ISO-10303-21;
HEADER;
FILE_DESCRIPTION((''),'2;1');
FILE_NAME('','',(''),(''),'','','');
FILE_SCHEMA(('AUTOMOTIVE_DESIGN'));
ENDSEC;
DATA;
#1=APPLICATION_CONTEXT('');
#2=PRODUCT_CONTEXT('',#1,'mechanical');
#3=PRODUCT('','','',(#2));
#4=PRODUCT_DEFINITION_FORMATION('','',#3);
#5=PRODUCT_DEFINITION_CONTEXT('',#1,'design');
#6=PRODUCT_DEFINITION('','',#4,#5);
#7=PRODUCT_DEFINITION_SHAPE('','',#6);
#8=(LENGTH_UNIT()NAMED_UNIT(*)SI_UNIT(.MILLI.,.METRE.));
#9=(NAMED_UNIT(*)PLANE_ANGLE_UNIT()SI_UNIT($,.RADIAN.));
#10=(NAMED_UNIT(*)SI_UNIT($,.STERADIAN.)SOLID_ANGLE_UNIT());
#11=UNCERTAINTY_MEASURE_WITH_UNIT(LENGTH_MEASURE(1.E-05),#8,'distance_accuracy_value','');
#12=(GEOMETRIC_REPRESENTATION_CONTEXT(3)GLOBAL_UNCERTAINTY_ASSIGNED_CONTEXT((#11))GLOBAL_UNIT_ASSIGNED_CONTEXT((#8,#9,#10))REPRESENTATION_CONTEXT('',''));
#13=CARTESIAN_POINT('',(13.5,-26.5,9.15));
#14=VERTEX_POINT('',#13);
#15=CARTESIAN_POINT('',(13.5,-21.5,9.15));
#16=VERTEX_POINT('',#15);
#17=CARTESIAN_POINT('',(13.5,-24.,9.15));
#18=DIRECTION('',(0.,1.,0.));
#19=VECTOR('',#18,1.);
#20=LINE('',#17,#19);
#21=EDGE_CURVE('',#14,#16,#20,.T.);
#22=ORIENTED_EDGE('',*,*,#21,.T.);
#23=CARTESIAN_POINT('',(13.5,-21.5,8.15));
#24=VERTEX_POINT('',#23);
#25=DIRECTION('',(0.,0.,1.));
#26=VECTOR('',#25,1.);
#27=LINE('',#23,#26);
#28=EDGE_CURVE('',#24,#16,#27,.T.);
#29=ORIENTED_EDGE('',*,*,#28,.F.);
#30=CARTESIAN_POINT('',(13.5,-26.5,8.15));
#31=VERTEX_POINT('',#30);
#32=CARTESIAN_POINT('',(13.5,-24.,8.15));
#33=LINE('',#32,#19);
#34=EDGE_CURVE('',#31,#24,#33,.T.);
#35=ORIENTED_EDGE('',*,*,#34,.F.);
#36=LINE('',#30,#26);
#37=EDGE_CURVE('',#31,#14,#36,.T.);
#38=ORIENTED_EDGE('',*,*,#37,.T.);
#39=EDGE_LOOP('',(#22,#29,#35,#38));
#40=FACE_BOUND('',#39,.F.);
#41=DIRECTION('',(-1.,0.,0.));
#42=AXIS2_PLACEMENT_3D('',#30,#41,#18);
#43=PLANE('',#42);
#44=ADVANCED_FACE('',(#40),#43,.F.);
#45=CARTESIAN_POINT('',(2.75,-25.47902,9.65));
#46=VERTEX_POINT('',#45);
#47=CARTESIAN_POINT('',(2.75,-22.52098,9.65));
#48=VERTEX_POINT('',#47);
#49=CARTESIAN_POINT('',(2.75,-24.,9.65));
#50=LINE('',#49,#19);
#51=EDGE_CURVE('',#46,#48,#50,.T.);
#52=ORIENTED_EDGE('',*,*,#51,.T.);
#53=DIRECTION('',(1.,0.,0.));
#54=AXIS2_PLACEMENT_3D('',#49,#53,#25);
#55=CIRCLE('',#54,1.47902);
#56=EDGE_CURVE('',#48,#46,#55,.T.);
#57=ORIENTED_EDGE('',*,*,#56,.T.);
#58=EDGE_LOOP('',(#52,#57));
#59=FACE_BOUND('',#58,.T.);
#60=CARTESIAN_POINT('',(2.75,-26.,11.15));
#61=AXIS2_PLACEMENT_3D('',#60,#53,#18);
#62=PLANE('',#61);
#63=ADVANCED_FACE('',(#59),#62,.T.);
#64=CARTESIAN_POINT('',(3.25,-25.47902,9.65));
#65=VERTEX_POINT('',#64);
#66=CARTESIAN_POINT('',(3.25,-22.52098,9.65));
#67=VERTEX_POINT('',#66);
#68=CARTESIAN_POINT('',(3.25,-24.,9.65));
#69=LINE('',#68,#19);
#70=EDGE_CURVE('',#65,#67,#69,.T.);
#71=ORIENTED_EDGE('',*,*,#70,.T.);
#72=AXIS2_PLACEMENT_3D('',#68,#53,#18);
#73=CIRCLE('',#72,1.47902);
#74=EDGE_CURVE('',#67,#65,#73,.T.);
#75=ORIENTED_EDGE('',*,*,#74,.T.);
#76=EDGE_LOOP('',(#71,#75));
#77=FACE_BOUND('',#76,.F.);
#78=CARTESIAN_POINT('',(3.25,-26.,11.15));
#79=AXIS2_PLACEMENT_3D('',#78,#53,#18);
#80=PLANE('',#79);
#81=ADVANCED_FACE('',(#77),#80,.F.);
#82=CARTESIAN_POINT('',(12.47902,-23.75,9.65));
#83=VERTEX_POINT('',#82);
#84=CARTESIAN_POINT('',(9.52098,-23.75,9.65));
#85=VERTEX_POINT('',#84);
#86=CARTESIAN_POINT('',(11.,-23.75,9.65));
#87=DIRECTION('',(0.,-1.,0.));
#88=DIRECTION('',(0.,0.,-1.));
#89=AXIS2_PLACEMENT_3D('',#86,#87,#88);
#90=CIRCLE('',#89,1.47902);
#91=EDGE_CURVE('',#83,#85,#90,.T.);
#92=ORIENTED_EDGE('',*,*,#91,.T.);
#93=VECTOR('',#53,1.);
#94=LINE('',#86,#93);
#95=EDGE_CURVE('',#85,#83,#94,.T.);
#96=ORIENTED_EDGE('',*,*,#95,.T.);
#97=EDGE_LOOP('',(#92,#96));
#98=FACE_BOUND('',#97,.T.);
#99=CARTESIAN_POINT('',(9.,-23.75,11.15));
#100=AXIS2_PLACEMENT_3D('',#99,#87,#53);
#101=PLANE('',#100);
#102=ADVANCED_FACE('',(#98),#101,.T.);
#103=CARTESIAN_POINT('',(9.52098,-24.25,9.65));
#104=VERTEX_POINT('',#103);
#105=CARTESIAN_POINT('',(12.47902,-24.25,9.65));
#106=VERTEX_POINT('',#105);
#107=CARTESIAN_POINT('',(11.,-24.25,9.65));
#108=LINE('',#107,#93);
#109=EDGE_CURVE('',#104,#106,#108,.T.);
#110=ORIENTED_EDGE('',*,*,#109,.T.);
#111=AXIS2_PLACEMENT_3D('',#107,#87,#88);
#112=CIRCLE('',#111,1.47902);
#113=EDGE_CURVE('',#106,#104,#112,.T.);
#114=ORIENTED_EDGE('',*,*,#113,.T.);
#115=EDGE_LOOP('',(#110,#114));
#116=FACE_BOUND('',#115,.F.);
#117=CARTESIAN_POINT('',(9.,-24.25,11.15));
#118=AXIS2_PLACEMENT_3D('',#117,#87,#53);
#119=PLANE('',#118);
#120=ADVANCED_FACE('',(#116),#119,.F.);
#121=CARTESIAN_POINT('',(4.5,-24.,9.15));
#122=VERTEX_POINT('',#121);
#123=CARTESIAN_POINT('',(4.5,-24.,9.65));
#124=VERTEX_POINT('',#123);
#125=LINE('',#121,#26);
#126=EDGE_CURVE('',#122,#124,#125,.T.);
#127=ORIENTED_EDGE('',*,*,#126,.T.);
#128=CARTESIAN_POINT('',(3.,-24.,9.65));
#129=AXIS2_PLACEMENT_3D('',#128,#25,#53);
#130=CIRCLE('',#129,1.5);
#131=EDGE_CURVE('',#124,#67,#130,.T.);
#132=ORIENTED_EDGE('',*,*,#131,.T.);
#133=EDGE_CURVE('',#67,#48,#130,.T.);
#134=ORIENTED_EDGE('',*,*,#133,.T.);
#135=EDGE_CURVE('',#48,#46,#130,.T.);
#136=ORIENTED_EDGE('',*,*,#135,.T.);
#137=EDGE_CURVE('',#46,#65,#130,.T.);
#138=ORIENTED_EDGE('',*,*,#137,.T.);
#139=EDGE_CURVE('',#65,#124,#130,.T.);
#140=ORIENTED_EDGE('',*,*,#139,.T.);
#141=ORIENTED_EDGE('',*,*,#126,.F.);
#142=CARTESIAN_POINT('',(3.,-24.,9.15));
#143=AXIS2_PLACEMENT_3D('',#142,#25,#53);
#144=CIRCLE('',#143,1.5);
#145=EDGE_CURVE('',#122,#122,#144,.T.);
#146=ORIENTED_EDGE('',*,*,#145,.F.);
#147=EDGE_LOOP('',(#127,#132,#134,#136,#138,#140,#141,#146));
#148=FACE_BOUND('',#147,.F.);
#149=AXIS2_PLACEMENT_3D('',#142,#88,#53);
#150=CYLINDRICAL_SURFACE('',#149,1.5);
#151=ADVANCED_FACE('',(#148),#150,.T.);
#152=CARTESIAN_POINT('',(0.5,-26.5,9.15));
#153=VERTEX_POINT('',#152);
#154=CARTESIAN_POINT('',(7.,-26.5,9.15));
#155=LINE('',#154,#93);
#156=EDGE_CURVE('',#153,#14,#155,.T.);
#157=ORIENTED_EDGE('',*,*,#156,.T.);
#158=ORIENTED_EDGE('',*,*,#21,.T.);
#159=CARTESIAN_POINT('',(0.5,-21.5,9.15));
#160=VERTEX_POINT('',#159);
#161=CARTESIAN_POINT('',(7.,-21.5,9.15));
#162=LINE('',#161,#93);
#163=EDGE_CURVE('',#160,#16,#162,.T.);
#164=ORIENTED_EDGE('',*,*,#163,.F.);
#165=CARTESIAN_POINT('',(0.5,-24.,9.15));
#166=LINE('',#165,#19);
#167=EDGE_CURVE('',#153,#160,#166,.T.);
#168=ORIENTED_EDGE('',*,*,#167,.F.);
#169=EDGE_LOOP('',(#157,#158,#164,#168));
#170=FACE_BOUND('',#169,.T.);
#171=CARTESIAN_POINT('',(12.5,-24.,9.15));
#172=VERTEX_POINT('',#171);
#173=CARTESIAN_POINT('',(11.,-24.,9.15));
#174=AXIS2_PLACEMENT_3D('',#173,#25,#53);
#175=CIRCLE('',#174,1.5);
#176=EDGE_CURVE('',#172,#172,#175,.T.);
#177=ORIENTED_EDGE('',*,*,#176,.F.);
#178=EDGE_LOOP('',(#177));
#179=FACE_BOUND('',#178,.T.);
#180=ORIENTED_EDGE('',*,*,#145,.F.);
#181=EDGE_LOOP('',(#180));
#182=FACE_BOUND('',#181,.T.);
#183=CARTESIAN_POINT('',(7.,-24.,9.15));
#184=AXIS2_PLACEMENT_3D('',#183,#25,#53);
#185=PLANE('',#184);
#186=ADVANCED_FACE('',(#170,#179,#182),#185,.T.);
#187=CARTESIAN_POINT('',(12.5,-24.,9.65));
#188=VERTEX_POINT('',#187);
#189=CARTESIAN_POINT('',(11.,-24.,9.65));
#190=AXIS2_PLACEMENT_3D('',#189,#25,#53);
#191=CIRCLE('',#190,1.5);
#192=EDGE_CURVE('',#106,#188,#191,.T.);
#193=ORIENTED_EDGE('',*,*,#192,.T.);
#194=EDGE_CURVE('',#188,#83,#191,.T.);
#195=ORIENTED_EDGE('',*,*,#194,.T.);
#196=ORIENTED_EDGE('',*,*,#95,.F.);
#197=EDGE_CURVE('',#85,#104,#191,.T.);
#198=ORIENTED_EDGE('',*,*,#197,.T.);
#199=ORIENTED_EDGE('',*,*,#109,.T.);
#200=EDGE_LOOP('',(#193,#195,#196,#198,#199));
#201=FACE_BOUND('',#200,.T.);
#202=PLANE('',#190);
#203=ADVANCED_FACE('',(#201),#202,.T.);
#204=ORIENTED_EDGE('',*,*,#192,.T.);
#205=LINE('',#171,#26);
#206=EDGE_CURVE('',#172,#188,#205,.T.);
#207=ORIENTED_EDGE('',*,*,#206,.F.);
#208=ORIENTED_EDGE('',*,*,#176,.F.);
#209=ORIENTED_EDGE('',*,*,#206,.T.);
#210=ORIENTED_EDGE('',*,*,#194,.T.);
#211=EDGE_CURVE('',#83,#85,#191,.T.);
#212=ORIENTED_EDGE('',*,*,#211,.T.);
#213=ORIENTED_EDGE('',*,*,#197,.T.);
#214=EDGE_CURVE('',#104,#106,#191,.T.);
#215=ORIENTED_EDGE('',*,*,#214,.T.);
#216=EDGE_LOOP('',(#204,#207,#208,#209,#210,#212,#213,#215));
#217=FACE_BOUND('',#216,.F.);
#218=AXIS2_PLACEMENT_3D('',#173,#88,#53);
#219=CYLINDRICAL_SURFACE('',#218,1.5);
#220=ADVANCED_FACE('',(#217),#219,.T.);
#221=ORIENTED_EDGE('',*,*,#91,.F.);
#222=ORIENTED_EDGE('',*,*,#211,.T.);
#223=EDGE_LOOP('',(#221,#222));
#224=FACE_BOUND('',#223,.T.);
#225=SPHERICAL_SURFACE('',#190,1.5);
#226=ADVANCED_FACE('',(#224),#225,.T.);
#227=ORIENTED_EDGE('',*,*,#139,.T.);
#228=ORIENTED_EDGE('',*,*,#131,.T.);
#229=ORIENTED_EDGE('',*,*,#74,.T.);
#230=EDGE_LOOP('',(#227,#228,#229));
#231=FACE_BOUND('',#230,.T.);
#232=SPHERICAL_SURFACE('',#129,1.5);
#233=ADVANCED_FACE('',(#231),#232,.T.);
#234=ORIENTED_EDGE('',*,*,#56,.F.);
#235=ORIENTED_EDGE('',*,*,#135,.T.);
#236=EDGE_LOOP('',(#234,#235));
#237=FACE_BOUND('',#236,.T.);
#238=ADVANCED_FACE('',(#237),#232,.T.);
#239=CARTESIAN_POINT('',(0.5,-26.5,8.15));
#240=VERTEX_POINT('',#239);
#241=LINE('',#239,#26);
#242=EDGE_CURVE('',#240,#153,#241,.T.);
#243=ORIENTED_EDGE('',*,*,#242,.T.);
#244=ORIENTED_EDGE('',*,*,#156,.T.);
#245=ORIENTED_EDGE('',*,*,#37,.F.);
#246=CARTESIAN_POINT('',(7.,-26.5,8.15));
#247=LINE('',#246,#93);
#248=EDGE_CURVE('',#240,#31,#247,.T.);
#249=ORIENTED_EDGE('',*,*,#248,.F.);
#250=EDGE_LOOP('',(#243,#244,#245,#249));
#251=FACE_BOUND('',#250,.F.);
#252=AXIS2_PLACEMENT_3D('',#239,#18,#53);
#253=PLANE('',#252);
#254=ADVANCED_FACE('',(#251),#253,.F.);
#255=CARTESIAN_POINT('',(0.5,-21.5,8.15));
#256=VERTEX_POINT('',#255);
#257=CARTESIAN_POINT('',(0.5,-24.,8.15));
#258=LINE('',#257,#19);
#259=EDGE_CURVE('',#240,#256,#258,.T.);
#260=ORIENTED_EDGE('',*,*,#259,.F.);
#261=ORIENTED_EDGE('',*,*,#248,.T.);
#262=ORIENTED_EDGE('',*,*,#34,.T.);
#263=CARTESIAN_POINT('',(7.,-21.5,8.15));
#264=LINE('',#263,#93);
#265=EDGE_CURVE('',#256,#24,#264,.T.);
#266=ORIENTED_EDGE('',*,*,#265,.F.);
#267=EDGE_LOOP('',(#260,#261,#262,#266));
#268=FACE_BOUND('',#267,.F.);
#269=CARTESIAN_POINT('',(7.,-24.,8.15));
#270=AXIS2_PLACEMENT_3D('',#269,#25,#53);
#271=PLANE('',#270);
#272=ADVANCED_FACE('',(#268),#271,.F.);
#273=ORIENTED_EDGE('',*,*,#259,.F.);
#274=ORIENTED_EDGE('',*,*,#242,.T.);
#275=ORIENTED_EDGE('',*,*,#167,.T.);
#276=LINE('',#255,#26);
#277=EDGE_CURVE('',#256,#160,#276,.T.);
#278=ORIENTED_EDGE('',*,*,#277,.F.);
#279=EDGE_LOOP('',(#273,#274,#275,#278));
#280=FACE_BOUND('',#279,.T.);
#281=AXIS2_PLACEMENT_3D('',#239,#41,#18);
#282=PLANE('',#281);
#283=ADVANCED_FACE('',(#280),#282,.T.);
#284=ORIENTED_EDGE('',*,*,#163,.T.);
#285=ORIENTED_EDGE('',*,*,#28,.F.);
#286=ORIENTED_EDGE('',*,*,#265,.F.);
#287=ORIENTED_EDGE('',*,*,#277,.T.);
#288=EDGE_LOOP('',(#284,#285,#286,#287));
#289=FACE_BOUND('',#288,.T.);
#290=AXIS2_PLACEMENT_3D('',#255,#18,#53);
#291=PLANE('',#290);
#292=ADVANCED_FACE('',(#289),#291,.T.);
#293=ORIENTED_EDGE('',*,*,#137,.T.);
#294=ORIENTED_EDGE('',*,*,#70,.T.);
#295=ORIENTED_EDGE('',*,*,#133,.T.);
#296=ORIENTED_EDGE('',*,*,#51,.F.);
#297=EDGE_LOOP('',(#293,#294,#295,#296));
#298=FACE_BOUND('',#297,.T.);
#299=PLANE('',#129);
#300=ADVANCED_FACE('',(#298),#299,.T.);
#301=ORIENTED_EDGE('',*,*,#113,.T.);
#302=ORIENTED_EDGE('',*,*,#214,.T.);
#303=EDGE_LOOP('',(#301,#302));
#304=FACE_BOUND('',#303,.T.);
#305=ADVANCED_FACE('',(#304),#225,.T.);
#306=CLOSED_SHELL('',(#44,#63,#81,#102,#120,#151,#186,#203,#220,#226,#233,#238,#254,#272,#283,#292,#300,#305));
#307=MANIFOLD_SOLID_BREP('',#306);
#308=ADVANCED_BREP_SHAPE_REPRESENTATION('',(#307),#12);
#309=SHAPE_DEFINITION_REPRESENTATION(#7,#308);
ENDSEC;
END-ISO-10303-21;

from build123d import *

# Parameters (mm, degrees)
SKETCH074_W     = 13
SKETCH074_H     = 5
PAD037_DEPTH    = 1
SKETCH070_R     = 1.5
PAD038_DEPTH    = 2
FILLET010_R     = 1.5
SKETCH073_W     = 0.5
SKETCH073_H     = 4
SKETCH073_W_2   = 4
SKETCH073_H_2   = 0.5
POCKET025_DEPTH = 1.5


with BuildPart() as part:
    # Sketch074 (on Face1 of CopyPocket001) → Pad037 (new body)
    with BuildSketch(Plane.XY.offset(8.15)):
        with Locations((7, -24)):
            Rectangle(SKETCH074_W, SKETCH074_H)
    extrude(amount=PAD037_DEPTH)

    # Sketch070 (on Face6 of Pad037) → Pad038 (join)
    with BuildSketch(Plane.XY.offset(9.15)):
        with Locations((3, -24)):
            Circle(SKETCH070_R)
        with Locations((11, -24)):
            Circle(SKETCH070_R)
    extrude(amount=PAD038_DEPTH)

    # Fillet010
    fillet010_edges = [part.edges().sort_by_distance(p)[0] for p in [
        (9.5, -24, 11.15),
        (1.5, -24, 11.15),
    ]]
    fillet(fillet010_edges, radius=FILLET010_R)

    # Sketch073 (on Face12 of Fillet010) → Pocket025 (cut)
    with BuildSketch(Plane.XY.offset(11.15)):
        with Locations((3, -24)):
            Rectangle(SKETCH073_W, SKETCH073_H)
        with Locations((11, -24)):
            Rectangle(SKETCH073_W_2, SKETCH073_H_2)
    extrude(amount=-POCKET025_DEPTH, mode=Mode.SUBTRACT)


solid = part.part
